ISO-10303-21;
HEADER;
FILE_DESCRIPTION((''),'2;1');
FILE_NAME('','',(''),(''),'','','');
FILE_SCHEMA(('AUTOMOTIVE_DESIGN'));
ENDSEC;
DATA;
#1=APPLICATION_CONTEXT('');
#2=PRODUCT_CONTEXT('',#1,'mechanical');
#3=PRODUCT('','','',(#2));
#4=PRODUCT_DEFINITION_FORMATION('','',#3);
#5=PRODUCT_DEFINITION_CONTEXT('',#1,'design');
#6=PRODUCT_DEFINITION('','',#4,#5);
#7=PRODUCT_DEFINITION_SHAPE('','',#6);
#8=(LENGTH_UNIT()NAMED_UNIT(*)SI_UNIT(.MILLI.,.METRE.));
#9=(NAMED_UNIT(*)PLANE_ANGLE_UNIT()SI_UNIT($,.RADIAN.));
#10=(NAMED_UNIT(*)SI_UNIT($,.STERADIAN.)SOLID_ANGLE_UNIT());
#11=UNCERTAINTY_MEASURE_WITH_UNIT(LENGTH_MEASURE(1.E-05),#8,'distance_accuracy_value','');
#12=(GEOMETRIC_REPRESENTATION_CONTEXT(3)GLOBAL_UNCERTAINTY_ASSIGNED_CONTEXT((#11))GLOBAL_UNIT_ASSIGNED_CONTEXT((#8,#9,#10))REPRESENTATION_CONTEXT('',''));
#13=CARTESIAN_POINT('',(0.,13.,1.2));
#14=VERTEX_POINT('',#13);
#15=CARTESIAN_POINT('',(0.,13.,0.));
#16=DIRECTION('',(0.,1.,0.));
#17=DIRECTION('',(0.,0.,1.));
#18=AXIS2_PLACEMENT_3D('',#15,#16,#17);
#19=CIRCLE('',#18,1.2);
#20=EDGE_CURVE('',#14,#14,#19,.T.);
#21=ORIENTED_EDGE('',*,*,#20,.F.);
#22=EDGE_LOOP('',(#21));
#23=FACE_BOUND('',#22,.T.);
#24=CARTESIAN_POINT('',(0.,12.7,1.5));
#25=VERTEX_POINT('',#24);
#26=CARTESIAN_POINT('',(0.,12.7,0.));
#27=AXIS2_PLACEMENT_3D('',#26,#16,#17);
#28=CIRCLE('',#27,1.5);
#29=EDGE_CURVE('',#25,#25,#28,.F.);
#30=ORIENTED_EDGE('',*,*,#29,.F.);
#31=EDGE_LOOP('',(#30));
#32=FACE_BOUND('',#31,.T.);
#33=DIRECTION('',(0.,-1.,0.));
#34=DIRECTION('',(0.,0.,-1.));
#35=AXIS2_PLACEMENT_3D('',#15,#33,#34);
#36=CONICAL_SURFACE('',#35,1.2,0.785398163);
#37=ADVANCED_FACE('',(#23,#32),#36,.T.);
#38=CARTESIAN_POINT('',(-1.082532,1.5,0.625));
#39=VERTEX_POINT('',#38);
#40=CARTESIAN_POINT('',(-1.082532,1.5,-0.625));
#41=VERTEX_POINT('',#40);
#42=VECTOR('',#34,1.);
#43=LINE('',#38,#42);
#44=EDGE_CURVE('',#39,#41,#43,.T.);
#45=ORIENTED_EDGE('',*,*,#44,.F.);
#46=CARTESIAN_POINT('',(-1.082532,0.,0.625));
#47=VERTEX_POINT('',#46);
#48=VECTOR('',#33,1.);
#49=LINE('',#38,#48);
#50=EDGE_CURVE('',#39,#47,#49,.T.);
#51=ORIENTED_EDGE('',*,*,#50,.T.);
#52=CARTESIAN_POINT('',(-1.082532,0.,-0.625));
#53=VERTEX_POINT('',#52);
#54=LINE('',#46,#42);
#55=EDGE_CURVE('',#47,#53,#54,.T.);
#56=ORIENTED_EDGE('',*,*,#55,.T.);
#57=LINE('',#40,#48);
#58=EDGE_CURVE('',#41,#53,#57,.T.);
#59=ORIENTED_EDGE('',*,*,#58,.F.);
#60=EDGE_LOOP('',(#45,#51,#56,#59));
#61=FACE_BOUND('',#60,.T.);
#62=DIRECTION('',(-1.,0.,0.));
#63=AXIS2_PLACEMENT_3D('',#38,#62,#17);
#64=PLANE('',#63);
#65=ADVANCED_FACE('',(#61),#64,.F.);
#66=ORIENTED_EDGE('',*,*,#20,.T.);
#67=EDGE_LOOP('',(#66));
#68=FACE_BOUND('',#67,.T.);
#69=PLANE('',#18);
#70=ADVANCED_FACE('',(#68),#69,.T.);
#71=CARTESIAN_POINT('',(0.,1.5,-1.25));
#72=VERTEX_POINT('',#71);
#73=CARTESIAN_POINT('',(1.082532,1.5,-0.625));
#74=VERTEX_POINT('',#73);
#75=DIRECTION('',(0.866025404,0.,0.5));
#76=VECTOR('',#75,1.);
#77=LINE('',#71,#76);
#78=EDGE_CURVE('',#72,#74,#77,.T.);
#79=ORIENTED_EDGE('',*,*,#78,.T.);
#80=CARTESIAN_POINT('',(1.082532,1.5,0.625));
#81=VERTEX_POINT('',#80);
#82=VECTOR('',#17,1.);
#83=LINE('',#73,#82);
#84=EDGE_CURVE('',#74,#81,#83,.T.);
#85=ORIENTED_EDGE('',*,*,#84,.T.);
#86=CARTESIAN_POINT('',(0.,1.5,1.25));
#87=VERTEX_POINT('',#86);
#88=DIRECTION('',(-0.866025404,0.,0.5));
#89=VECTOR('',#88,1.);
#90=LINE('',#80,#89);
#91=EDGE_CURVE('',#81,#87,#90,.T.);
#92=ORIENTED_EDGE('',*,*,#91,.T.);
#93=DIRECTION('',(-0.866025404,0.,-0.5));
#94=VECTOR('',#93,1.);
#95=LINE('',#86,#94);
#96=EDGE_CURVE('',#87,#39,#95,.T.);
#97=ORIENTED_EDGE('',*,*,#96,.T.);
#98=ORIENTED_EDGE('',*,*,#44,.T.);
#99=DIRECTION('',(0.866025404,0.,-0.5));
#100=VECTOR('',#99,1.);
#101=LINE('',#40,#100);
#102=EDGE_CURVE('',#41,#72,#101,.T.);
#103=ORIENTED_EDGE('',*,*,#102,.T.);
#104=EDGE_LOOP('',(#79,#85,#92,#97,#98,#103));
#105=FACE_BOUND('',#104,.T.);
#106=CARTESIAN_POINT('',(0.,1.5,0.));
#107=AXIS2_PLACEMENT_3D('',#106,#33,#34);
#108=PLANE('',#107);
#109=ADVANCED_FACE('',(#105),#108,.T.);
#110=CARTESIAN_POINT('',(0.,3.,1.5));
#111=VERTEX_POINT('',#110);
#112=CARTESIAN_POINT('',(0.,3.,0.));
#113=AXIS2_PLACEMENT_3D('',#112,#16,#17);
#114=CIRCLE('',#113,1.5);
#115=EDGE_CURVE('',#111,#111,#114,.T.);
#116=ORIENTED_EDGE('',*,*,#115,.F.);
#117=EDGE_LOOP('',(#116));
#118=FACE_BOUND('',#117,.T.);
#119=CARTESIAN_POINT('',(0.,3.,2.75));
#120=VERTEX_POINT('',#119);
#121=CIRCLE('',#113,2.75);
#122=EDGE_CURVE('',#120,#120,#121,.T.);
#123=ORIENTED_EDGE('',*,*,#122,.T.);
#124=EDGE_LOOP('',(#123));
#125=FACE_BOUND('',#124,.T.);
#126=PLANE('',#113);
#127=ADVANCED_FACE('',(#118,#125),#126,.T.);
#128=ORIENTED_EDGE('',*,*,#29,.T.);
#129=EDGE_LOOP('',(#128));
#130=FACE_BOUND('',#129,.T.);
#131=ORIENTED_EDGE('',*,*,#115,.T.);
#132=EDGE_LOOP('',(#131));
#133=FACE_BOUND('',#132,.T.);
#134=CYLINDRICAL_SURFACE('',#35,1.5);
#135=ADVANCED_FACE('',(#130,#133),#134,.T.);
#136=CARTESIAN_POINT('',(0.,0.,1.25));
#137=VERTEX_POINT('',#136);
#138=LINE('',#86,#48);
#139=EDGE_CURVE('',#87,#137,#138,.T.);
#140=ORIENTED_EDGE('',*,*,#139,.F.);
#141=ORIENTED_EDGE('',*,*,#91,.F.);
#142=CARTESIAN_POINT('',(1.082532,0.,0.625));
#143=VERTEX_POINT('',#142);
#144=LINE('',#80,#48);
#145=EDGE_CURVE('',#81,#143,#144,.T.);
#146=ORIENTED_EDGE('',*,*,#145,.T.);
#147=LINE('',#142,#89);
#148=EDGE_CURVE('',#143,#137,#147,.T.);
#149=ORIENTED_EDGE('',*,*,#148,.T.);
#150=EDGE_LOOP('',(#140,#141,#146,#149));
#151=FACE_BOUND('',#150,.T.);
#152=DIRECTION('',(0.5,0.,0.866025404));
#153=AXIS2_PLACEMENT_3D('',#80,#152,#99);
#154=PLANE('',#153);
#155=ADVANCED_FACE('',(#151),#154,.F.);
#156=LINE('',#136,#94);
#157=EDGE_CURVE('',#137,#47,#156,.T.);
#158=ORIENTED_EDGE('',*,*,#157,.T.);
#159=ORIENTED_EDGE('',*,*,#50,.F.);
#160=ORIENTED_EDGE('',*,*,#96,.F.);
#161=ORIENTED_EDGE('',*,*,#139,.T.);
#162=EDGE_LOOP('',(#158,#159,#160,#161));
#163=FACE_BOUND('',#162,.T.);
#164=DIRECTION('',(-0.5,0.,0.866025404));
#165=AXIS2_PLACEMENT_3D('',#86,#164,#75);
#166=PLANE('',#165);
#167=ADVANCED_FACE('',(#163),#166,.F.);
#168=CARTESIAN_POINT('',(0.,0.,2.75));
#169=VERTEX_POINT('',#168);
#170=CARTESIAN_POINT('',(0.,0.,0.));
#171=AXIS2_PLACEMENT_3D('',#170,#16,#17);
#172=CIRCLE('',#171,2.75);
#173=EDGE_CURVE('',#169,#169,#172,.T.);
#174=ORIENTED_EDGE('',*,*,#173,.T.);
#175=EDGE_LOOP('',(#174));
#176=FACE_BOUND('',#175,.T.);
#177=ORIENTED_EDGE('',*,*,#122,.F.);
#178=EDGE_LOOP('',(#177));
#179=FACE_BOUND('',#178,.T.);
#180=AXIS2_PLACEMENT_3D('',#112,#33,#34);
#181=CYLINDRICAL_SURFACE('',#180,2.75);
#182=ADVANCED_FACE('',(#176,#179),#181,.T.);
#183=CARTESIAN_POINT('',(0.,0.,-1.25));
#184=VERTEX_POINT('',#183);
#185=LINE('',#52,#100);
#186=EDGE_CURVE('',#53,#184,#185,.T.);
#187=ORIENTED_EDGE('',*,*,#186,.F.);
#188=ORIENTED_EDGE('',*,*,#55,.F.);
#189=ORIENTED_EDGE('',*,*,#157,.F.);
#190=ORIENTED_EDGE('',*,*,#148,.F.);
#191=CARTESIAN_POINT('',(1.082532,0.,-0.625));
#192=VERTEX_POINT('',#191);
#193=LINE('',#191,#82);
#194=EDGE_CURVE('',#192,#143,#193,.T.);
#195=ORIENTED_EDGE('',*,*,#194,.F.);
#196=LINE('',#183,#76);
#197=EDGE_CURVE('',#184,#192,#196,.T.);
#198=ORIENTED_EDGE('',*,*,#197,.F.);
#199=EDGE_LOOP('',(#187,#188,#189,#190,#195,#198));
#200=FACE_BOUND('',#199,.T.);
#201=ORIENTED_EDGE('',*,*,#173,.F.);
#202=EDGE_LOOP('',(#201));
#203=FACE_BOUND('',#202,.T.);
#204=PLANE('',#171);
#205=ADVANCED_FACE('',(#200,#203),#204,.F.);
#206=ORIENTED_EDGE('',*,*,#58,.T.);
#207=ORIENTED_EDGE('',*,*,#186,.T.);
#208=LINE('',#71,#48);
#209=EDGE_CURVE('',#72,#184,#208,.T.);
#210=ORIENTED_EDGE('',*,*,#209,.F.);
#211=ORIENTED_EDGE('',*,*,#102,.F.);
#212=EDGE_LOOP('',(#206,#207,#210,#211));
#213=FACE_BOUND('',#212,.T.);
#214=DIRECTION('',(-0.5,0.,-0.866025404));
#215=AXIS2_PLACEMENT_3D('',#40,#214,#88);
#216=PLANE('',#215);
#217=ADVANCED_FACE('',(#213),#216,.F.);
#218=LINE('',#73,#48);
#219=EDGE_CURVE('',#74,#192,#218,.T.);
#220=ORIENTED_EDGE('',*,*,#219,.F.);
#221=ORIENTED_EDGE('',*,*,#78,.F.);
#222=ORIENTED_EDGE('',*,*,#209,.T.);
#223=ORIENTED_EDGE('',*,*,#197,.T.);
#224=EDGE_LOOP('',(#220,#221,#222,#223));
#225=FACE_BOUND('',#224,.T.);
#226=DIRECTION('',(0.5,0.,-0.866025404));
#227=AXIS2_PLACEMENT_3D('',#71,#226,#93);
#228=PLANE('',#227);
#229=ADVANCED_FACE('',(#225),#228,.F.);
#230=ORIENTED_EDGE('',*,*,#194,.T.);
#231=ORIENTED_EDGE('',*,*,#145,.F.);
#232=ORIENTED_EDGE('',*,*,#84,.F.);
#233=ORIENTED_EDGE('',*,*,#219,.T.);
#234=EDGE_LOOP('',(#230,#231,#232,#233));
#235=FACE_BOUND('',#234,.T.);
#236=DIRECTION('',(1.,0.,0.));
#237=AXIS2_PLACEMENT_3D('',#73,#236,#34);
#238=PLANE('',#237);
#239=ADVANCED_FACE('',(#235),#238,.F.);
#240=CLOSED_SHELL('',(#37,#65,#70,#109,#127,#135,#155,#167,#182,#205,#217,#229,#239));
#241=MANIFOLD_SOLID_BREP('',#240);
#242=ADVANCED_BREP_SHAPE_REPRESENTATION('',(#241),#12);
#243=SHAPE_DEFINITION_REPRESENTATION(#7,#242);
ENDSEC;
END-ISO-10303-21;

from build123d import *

# Parameters (mm, degrees)
SKETCH_1_R          = 2.75
EXTRUDE_1_DEPTH     = 3
CUT_EXTRUDE_1_DEPTH = 1.5
SKETCH_2_R          = 1.5
EXTRUDE_2_DEPTH     = 10
CHAMFER_1_SIZE      = 0.3


with BuildPart() as part:
    # 草图1 → 凸台-拉伸1 (new body)
    with BuildSketch(Plane(origin=(0, 0, 0), x_dir=(1, 0, 0), z_dir=(0, 1, 0))):
        with Locations(Location((0, 0, 0), (0, 0, 270))):
            Circle(SKETCH_1_R)
    extrude(amount=EXTRUDE_1_DEPTH)

    # 草图3 → 切除-拉伸1 (cut)
    with BuildSketch(Plane.XZ):
        Polygon((0, 1.25), (-1.082531755, 0.625), (-1.082531755, -0.625), (0, -1.25), (1.082531755, -0.625), (1.082531755, 0.625), align=None)
    extrude(amount=-CUT_EXTRUDE_1_DEPTH, mode=Mode.SUBTRACT)

    # 草图2 → 凸台-拉伸2 (add)
    with BuildSketch(Plane(origin=(0, 3, 0), x_dir=(1, 0, 0), z_dir=(0, 1, 0))):
        with Locations(Location((0, 0, 0), (0, 0, 270))):
            Circle(SKETCH_2_R)
    extrude(amount=EXTRUDE_2_DEPTH)

    # 倒角1
    chamfer_1_edges = [part.edges().sort_by_distance(p)[0] for p in [
        (0, 13, -1.5),
    ]]
    chamfer(chamfer_1_edges, length=CHAMFER_1_SIZE)


solid = part.part
